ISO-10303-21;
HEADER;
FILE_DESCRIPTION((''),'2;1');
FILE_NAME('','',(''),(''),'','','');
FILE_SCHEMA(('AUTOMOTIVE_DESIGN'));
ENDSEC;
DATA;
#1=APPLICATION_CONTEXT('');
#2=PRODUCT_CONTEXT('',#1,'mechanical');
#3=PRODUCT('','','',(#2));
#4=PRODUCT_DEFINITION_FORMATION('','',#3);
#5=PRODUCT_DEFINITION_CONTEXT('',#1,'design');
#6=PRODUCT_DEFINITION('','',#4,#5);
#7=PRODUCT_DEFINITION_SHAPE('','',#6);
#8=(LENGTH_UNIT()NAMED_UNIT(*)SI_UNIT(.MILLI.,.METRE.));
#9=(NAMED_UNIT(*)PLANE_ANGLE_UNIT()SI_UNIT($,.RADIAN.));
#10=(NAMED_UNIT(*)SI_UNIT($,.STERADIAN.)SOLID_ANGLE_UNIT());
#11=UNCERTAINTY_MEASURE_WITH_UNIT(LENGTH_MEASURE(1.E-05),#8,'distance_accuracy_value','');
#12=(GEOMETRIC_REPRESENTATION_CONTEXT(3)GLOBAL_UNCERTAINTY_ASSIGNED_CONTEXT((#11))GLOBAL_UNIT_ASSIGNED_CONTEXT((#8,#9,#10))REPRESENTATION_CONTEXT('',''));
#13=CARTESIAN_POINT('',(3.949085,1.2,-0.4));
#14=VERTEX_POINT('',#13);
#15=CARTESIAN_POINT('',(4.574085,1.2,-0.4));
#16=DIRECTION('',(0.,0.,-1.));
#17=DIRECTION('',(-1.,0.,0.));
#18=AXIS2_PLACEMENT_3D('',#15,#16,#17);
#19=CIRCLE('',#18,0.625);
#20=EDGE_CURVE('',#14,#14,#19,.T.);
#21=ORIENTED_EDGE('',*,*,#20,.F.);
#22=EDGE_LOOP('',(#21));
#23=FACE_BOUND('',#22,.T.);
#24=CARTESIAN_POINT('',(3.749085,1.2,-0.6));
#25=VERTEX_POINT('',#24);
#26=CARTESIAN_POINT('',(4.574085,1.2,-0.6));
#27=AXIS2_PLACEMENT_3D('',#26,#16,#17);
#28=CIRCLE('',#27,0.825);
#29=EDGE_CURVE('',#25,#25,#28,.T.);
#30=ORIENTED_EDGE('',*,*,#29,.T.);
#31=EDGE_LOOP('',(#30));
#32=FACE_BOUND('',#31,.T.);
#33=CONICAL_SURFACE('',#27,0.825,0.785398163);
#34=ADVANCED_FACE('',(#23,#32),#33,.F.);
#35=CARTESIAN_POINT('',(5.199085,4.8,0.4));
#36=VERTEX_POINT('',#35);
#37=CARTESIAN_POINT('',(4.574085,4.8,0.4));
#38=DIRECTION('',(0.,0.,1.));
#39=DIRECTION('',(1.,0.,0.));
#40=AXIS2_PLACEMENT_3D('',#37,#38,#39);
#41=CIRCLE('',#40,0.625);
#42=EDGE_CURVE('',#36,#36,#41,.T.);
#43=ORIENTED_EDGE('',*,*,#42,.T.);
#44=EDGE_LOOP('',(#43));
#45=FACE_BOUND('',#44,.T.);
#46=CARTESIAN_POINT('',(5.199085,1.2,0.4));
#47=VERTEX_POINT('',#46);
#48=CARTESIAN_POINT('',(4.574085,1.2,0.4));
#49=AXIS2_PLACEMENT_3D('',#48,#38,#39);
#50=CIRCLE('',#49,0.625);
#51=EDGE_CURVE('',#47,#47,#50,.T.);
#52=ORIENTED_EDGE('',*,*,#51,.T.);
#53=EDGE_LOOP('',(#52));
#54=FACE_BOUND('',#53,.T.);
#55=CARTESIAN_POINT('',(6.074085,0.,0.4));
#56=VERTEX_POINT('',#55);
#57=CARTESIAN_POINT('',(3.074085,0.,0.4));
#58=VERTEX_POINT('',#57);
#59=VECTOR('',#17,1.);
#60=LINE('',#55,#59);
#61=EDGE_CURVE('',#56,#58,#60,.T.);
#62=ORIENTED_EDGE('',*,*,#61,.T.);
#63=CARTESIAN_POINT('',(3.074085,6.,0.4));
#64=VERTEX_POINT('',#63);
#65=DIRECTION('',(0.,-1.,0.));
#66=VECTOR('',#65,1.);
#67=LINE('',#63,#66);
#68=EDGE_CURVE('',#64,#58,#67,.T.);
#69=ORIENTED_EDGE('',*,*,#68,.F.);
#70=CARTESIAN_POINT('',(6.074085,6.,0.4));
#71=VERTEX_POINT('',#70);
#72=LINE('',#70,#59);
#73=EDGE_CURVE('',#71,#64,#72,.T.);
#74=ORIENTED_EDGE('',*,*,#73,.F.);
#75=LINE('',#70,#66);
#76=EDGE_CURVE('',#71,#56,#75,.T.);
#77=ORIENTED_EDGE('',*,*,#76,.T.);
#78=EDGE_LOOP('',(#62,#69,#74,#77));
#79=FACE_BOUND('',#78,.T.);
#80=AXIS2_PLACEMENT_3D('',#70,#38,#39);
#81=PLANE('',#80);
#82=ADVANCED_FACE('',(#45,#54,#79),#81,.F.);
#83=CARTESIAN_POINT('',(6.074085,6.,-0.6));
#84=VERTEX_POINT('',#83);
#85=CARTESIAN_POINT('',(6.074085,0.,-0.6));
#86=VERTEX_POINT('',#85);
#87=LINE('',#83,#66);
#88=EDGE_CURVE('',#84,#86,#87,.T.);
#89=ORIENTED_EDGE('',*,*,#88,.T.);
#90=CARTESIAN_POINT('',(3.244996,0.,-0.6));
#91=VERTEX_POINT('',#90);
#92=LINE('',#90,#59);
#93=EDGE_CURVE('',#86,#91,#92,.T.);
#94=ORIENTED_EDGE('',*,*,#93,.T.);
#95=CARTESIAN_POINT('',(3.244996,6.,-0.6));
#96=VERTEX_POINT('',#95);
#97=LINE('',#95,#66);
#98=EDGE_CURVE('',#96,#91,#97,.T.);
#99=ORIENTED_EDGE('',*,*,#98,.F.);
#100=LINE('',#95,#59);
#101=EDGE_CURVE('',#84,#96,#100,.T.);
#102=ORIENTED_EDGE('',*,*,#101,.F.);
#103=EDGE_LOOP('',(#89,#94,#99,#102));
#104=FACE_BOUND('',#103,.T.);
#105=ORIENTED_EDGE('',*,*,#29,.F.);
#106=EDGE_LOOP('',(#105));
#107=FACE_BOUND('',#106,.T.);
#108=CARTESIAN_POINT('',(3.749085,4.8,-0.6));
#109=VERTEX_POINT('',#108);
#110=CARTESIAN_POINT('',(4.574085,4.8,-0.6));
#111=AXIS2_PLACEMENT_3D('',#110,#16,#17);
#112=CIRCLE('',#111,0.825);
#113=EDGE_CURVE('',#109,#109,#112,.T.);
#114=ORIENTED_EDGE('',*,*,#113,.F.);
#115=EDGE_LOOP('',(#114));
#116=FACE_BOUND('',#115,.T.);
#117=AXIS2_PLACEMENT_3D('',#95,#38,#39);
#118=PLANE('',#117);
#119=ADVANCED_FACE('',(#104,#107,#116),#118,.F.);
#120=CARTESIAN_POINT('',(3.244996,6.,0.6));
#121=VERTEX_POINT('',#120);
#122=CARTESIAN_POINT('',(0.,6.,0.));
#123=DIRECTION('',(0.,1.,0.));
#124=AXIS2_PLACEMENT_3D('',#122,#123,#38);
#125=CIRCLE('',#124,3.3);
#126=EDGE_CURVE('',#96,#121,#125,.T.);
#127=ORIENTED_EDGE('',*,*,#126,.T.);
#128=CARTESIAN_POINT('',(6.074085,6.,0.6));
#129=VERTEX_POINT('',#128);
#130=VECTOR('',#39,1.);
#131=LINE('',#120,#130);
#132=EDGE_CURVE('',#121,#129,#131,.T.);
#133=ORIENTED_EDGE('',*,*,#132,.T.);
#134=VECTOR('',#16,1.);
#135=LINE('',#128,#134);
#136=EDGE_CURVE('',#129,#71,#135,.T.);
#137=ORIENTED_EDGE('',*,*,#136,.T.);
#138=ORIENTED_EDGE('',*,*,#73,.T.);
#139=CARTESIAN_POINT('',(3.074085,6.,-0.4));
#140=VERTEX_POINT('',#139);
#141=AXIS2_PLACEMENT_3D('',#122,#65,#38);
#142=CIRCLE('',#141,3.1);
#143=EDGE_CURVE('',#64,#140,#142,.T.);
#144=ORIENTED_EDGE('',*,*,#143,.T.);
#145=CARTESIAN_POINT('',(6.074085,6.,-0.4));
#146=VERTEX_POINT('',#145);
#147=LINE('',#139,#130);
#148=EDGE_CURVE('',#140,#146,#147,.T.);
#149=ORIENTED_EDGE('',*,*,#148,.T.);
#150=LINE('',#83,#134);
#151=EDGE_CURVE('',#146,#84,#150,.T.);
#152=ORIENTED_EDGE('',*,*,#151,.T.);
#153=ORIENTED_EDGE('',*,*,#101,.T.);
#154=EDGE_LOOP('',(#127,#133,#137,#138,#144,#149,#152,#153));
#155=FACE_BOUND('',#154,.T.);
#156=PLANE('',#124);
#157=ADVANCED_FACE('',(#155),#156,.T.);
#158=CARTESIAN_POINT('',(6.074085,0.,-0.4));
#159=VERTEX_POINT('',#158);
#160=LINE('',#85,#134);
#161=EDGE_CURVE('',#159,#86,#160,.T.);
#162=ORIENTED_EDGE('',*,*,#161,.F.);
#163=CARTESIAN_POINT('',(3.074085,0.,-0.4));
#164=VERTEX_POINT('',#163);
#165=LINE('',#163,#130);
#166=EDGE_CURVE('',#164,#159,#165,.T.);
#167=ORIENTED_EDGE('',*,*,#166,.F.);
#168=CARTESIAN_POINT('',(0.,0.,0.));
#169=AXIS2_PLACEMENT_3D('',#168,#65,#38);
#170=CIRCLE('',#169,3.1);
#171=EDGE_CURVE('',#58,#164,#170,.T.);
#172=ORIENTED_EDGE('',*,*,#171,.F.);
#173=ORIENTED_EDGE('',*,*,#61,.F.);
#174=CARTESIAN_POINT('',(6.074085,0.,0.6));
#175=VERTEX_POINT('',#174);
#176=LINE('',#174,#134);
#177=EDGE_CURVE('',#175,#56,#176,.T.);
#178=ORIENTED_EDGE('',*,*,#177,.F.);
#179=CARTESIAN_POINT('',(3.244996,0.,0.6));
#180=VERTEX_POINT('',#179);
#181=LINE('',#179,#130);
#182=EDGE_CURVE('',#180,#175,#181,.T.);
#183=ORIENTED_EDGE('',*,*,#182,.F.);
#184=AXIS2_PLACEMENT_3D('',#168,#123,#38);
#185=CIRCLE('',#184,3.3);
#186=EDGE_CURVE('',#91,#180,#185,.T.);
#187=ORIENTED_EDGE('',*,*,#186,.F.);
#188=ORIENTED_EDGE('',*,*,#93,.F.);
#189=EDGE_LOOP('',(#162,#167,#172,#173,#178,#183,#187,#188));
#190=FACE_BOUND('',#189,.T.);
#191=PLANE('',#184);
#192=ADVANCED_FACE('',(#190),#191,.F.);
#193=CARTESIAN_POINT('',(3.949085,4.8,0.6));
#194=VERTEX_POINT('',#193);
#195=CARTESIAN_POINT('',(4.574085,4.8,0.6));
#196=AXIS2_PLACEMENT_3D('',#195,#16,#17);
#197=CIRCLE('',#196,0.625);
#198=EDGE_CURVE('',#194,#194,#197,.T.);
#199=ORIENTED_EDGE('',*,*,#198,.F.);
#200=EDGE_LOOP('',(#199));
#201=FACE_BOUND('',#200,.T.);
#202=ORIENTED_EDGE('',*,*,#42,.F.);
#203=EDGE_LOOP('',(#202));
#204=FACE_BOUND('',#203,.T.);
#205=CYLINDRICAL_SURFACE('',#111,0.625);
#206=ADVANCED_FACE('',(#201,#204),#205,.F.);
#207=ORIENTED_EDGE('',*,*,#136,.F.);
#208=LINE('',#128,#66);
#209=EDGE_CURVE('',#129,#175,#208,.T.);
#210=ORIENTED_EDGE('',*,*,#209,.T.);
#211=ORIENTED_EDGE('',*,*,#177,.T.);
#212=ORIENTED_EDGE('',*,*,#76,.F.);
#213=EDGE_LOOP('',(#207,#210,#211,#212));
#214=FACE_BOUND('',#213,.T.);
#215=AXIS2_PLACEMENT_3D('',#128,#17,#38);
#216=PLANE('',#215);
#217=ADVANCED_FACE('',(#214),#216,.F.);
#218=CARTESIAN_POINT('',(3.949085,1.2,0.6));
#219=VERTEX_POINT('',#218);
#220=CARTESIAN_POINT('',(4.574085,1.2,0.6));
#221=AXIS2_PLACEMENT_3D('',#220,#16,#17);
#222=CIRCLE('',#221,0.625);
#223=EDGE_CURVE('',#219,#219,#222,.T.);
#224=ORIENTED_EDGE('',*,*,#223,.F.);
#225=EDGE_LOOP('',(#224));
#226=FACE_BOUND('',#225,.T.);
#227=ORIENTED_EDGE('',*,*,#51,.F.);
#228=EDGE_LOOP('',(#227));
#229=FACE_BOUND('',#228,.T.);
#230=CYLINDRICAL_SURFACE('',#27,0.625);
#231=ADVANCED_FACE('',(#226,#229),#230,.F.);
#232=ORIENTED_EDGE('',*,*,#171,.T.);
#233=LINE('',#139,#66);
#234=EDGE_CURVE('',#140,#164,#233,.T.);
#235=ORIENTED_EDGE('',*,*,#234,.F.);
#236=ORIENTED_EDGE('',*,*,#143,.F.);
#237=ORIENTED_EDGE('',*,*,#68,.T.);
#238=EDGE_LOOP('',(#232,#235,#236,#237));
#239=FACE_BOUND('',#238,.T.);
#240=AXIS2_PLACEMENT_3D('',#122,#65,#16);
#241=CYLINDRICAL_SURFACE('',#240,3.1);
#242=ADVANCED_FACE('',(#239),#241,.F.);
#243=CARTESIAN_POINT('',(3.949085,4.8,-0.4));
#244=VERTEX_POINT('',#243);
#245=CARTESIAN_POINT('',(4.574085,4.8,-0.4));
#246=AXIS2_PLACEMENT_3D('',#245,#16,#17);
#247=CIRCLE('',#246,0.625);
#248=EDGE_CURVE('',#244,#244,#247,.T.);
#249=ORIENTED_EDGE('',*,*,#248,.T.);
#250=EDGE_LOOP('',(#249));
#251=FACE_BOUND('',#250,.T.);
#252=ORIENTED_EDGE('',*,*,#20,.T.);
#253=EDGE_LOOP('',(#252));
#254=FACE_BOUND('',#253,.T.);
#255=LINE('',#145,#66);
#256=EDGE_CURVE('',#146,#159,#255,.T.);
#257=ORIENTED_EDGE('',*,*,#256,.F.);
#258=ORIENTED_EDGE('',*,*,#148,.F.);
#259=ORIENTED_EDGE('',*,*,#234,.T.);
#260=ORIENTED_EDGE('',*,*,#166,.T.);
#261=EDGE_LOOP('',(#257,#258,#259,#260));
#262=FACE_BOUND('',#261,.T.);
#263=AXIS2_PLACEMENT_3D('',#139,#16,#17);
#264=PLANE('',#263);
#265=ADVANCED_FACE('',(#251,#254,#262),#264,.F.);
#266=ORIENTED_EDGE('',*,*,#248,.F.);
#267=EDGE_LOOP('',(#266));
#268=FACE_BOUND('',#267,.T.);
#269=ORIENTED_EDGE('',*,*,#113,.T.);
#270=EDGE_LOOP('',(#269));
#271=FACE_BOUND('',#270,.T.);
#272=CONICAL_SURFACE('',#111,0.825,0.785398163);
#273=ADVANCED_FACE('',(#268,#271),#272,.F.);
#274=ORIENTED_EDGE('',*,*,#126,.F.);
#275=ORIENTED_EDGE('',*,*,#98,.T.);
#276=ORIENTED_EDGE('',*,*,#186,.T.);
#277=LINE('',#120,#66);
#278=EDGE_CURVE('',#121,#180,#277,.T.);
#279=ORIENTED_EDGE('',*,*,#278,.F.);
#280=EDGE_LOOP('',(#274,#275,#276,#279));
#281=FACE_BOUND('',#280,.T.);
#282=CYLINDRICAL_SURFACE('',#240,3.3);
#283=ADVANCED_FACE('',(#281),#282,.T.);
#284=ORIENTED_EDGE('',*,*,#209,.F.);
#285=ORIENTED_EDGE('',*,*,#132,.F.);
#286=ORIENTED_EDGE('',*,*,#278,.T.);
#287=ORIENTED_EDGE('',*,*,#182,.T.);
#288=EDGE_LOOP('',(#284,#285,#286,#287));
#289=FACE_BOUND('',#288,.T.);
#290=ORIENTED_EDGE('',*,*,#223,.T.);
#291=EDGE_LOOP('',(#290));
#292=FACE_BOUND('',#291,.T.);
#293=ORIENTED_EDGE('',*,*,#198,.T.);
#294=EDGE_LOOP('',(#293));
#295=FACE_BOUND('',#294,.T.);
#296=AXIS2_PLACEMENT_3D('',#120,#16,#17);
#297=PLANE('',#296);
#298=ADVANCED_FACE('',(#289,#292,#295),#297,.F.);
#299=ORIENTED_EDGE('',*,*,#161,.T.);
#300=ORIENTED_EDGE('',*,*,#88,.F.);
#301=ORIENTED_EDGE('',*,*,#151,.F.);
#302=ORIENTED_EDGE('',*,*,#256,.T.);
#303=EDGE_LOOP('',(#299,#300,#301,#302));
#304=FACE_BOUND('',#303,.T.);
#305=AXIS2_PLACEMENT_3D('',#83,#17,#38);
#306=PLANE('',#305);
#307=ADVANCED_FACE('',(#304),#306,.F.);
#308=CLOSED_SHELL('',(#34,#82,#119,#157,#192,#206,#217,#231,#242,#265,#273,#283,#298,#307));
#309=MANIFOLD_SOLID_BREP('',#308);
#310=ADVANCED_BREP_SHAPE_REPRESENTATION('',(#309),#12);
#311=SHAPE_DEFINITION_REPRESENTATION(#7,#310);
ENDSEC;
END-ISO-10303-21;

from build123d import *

# Parameters (mm, degrees)
EXTRUDE_1_DEPTH                = 6
HOLE_WIZARD_M1_6_1_D           = 1.25
HOLE_WIZARD_M1_6_1_CSINK_D     = 1.65
HOLE_WIZARD_M1_6_1_CSINK_ANGLE = 90


with BuildPart() as part:
    # 草图2 → 凸台-拉伸1 (new body)
    with BuildSketch(Plane(origin=(0, 0, 0), x_dir=(1, 0, 0), z_dir=(0, 1, 0))):
        with BuildLine():
            Line((3.07408523, 0.4), (6.07408523, 0.4))
            Line((6.07408523, 0.4), (6.07408523, 0.6))
            Line((6.07408523, 0.6), (3.244996148, 0.6))
            ThreePointArc((3.244996148, 0.6), (-3.3, 0), (3.244996148, -0.6))
            Line((3.244996148, -0.6), (6.07408523, -0.6))
            Line((6.07408523, -0.6), (6.07408523, -0.4))
            Line((6.07408523, -0.4), (3.07408523, -0.4))
            ThreePointArc((3.07408523, -0.4), (-3.1, 0), (3.07408523, 0.4))
        make_face()
    extrude(amount=EXTRUDE_1_DEPTH)

    # M1.6 螺纹孔1 (through all)
    with Locations(Plane(origin=(0, 0, -0.6), x_dir=(-1, 0, 0), z_dir=(0, 0, -1))):
        with Locations((-4.57408523, 4.8), (-4.57408523, 1.2)):
            CounterSinkHole(HOLE_WIZARD_M1_6_1_D / 2, HOLE_WIZARD_M1_6_1_CSINK_D / 2, counter_sink_angle=HOLE_WIZARD_M1_6_1_CSINK_ANGLE)


solid = part.part
